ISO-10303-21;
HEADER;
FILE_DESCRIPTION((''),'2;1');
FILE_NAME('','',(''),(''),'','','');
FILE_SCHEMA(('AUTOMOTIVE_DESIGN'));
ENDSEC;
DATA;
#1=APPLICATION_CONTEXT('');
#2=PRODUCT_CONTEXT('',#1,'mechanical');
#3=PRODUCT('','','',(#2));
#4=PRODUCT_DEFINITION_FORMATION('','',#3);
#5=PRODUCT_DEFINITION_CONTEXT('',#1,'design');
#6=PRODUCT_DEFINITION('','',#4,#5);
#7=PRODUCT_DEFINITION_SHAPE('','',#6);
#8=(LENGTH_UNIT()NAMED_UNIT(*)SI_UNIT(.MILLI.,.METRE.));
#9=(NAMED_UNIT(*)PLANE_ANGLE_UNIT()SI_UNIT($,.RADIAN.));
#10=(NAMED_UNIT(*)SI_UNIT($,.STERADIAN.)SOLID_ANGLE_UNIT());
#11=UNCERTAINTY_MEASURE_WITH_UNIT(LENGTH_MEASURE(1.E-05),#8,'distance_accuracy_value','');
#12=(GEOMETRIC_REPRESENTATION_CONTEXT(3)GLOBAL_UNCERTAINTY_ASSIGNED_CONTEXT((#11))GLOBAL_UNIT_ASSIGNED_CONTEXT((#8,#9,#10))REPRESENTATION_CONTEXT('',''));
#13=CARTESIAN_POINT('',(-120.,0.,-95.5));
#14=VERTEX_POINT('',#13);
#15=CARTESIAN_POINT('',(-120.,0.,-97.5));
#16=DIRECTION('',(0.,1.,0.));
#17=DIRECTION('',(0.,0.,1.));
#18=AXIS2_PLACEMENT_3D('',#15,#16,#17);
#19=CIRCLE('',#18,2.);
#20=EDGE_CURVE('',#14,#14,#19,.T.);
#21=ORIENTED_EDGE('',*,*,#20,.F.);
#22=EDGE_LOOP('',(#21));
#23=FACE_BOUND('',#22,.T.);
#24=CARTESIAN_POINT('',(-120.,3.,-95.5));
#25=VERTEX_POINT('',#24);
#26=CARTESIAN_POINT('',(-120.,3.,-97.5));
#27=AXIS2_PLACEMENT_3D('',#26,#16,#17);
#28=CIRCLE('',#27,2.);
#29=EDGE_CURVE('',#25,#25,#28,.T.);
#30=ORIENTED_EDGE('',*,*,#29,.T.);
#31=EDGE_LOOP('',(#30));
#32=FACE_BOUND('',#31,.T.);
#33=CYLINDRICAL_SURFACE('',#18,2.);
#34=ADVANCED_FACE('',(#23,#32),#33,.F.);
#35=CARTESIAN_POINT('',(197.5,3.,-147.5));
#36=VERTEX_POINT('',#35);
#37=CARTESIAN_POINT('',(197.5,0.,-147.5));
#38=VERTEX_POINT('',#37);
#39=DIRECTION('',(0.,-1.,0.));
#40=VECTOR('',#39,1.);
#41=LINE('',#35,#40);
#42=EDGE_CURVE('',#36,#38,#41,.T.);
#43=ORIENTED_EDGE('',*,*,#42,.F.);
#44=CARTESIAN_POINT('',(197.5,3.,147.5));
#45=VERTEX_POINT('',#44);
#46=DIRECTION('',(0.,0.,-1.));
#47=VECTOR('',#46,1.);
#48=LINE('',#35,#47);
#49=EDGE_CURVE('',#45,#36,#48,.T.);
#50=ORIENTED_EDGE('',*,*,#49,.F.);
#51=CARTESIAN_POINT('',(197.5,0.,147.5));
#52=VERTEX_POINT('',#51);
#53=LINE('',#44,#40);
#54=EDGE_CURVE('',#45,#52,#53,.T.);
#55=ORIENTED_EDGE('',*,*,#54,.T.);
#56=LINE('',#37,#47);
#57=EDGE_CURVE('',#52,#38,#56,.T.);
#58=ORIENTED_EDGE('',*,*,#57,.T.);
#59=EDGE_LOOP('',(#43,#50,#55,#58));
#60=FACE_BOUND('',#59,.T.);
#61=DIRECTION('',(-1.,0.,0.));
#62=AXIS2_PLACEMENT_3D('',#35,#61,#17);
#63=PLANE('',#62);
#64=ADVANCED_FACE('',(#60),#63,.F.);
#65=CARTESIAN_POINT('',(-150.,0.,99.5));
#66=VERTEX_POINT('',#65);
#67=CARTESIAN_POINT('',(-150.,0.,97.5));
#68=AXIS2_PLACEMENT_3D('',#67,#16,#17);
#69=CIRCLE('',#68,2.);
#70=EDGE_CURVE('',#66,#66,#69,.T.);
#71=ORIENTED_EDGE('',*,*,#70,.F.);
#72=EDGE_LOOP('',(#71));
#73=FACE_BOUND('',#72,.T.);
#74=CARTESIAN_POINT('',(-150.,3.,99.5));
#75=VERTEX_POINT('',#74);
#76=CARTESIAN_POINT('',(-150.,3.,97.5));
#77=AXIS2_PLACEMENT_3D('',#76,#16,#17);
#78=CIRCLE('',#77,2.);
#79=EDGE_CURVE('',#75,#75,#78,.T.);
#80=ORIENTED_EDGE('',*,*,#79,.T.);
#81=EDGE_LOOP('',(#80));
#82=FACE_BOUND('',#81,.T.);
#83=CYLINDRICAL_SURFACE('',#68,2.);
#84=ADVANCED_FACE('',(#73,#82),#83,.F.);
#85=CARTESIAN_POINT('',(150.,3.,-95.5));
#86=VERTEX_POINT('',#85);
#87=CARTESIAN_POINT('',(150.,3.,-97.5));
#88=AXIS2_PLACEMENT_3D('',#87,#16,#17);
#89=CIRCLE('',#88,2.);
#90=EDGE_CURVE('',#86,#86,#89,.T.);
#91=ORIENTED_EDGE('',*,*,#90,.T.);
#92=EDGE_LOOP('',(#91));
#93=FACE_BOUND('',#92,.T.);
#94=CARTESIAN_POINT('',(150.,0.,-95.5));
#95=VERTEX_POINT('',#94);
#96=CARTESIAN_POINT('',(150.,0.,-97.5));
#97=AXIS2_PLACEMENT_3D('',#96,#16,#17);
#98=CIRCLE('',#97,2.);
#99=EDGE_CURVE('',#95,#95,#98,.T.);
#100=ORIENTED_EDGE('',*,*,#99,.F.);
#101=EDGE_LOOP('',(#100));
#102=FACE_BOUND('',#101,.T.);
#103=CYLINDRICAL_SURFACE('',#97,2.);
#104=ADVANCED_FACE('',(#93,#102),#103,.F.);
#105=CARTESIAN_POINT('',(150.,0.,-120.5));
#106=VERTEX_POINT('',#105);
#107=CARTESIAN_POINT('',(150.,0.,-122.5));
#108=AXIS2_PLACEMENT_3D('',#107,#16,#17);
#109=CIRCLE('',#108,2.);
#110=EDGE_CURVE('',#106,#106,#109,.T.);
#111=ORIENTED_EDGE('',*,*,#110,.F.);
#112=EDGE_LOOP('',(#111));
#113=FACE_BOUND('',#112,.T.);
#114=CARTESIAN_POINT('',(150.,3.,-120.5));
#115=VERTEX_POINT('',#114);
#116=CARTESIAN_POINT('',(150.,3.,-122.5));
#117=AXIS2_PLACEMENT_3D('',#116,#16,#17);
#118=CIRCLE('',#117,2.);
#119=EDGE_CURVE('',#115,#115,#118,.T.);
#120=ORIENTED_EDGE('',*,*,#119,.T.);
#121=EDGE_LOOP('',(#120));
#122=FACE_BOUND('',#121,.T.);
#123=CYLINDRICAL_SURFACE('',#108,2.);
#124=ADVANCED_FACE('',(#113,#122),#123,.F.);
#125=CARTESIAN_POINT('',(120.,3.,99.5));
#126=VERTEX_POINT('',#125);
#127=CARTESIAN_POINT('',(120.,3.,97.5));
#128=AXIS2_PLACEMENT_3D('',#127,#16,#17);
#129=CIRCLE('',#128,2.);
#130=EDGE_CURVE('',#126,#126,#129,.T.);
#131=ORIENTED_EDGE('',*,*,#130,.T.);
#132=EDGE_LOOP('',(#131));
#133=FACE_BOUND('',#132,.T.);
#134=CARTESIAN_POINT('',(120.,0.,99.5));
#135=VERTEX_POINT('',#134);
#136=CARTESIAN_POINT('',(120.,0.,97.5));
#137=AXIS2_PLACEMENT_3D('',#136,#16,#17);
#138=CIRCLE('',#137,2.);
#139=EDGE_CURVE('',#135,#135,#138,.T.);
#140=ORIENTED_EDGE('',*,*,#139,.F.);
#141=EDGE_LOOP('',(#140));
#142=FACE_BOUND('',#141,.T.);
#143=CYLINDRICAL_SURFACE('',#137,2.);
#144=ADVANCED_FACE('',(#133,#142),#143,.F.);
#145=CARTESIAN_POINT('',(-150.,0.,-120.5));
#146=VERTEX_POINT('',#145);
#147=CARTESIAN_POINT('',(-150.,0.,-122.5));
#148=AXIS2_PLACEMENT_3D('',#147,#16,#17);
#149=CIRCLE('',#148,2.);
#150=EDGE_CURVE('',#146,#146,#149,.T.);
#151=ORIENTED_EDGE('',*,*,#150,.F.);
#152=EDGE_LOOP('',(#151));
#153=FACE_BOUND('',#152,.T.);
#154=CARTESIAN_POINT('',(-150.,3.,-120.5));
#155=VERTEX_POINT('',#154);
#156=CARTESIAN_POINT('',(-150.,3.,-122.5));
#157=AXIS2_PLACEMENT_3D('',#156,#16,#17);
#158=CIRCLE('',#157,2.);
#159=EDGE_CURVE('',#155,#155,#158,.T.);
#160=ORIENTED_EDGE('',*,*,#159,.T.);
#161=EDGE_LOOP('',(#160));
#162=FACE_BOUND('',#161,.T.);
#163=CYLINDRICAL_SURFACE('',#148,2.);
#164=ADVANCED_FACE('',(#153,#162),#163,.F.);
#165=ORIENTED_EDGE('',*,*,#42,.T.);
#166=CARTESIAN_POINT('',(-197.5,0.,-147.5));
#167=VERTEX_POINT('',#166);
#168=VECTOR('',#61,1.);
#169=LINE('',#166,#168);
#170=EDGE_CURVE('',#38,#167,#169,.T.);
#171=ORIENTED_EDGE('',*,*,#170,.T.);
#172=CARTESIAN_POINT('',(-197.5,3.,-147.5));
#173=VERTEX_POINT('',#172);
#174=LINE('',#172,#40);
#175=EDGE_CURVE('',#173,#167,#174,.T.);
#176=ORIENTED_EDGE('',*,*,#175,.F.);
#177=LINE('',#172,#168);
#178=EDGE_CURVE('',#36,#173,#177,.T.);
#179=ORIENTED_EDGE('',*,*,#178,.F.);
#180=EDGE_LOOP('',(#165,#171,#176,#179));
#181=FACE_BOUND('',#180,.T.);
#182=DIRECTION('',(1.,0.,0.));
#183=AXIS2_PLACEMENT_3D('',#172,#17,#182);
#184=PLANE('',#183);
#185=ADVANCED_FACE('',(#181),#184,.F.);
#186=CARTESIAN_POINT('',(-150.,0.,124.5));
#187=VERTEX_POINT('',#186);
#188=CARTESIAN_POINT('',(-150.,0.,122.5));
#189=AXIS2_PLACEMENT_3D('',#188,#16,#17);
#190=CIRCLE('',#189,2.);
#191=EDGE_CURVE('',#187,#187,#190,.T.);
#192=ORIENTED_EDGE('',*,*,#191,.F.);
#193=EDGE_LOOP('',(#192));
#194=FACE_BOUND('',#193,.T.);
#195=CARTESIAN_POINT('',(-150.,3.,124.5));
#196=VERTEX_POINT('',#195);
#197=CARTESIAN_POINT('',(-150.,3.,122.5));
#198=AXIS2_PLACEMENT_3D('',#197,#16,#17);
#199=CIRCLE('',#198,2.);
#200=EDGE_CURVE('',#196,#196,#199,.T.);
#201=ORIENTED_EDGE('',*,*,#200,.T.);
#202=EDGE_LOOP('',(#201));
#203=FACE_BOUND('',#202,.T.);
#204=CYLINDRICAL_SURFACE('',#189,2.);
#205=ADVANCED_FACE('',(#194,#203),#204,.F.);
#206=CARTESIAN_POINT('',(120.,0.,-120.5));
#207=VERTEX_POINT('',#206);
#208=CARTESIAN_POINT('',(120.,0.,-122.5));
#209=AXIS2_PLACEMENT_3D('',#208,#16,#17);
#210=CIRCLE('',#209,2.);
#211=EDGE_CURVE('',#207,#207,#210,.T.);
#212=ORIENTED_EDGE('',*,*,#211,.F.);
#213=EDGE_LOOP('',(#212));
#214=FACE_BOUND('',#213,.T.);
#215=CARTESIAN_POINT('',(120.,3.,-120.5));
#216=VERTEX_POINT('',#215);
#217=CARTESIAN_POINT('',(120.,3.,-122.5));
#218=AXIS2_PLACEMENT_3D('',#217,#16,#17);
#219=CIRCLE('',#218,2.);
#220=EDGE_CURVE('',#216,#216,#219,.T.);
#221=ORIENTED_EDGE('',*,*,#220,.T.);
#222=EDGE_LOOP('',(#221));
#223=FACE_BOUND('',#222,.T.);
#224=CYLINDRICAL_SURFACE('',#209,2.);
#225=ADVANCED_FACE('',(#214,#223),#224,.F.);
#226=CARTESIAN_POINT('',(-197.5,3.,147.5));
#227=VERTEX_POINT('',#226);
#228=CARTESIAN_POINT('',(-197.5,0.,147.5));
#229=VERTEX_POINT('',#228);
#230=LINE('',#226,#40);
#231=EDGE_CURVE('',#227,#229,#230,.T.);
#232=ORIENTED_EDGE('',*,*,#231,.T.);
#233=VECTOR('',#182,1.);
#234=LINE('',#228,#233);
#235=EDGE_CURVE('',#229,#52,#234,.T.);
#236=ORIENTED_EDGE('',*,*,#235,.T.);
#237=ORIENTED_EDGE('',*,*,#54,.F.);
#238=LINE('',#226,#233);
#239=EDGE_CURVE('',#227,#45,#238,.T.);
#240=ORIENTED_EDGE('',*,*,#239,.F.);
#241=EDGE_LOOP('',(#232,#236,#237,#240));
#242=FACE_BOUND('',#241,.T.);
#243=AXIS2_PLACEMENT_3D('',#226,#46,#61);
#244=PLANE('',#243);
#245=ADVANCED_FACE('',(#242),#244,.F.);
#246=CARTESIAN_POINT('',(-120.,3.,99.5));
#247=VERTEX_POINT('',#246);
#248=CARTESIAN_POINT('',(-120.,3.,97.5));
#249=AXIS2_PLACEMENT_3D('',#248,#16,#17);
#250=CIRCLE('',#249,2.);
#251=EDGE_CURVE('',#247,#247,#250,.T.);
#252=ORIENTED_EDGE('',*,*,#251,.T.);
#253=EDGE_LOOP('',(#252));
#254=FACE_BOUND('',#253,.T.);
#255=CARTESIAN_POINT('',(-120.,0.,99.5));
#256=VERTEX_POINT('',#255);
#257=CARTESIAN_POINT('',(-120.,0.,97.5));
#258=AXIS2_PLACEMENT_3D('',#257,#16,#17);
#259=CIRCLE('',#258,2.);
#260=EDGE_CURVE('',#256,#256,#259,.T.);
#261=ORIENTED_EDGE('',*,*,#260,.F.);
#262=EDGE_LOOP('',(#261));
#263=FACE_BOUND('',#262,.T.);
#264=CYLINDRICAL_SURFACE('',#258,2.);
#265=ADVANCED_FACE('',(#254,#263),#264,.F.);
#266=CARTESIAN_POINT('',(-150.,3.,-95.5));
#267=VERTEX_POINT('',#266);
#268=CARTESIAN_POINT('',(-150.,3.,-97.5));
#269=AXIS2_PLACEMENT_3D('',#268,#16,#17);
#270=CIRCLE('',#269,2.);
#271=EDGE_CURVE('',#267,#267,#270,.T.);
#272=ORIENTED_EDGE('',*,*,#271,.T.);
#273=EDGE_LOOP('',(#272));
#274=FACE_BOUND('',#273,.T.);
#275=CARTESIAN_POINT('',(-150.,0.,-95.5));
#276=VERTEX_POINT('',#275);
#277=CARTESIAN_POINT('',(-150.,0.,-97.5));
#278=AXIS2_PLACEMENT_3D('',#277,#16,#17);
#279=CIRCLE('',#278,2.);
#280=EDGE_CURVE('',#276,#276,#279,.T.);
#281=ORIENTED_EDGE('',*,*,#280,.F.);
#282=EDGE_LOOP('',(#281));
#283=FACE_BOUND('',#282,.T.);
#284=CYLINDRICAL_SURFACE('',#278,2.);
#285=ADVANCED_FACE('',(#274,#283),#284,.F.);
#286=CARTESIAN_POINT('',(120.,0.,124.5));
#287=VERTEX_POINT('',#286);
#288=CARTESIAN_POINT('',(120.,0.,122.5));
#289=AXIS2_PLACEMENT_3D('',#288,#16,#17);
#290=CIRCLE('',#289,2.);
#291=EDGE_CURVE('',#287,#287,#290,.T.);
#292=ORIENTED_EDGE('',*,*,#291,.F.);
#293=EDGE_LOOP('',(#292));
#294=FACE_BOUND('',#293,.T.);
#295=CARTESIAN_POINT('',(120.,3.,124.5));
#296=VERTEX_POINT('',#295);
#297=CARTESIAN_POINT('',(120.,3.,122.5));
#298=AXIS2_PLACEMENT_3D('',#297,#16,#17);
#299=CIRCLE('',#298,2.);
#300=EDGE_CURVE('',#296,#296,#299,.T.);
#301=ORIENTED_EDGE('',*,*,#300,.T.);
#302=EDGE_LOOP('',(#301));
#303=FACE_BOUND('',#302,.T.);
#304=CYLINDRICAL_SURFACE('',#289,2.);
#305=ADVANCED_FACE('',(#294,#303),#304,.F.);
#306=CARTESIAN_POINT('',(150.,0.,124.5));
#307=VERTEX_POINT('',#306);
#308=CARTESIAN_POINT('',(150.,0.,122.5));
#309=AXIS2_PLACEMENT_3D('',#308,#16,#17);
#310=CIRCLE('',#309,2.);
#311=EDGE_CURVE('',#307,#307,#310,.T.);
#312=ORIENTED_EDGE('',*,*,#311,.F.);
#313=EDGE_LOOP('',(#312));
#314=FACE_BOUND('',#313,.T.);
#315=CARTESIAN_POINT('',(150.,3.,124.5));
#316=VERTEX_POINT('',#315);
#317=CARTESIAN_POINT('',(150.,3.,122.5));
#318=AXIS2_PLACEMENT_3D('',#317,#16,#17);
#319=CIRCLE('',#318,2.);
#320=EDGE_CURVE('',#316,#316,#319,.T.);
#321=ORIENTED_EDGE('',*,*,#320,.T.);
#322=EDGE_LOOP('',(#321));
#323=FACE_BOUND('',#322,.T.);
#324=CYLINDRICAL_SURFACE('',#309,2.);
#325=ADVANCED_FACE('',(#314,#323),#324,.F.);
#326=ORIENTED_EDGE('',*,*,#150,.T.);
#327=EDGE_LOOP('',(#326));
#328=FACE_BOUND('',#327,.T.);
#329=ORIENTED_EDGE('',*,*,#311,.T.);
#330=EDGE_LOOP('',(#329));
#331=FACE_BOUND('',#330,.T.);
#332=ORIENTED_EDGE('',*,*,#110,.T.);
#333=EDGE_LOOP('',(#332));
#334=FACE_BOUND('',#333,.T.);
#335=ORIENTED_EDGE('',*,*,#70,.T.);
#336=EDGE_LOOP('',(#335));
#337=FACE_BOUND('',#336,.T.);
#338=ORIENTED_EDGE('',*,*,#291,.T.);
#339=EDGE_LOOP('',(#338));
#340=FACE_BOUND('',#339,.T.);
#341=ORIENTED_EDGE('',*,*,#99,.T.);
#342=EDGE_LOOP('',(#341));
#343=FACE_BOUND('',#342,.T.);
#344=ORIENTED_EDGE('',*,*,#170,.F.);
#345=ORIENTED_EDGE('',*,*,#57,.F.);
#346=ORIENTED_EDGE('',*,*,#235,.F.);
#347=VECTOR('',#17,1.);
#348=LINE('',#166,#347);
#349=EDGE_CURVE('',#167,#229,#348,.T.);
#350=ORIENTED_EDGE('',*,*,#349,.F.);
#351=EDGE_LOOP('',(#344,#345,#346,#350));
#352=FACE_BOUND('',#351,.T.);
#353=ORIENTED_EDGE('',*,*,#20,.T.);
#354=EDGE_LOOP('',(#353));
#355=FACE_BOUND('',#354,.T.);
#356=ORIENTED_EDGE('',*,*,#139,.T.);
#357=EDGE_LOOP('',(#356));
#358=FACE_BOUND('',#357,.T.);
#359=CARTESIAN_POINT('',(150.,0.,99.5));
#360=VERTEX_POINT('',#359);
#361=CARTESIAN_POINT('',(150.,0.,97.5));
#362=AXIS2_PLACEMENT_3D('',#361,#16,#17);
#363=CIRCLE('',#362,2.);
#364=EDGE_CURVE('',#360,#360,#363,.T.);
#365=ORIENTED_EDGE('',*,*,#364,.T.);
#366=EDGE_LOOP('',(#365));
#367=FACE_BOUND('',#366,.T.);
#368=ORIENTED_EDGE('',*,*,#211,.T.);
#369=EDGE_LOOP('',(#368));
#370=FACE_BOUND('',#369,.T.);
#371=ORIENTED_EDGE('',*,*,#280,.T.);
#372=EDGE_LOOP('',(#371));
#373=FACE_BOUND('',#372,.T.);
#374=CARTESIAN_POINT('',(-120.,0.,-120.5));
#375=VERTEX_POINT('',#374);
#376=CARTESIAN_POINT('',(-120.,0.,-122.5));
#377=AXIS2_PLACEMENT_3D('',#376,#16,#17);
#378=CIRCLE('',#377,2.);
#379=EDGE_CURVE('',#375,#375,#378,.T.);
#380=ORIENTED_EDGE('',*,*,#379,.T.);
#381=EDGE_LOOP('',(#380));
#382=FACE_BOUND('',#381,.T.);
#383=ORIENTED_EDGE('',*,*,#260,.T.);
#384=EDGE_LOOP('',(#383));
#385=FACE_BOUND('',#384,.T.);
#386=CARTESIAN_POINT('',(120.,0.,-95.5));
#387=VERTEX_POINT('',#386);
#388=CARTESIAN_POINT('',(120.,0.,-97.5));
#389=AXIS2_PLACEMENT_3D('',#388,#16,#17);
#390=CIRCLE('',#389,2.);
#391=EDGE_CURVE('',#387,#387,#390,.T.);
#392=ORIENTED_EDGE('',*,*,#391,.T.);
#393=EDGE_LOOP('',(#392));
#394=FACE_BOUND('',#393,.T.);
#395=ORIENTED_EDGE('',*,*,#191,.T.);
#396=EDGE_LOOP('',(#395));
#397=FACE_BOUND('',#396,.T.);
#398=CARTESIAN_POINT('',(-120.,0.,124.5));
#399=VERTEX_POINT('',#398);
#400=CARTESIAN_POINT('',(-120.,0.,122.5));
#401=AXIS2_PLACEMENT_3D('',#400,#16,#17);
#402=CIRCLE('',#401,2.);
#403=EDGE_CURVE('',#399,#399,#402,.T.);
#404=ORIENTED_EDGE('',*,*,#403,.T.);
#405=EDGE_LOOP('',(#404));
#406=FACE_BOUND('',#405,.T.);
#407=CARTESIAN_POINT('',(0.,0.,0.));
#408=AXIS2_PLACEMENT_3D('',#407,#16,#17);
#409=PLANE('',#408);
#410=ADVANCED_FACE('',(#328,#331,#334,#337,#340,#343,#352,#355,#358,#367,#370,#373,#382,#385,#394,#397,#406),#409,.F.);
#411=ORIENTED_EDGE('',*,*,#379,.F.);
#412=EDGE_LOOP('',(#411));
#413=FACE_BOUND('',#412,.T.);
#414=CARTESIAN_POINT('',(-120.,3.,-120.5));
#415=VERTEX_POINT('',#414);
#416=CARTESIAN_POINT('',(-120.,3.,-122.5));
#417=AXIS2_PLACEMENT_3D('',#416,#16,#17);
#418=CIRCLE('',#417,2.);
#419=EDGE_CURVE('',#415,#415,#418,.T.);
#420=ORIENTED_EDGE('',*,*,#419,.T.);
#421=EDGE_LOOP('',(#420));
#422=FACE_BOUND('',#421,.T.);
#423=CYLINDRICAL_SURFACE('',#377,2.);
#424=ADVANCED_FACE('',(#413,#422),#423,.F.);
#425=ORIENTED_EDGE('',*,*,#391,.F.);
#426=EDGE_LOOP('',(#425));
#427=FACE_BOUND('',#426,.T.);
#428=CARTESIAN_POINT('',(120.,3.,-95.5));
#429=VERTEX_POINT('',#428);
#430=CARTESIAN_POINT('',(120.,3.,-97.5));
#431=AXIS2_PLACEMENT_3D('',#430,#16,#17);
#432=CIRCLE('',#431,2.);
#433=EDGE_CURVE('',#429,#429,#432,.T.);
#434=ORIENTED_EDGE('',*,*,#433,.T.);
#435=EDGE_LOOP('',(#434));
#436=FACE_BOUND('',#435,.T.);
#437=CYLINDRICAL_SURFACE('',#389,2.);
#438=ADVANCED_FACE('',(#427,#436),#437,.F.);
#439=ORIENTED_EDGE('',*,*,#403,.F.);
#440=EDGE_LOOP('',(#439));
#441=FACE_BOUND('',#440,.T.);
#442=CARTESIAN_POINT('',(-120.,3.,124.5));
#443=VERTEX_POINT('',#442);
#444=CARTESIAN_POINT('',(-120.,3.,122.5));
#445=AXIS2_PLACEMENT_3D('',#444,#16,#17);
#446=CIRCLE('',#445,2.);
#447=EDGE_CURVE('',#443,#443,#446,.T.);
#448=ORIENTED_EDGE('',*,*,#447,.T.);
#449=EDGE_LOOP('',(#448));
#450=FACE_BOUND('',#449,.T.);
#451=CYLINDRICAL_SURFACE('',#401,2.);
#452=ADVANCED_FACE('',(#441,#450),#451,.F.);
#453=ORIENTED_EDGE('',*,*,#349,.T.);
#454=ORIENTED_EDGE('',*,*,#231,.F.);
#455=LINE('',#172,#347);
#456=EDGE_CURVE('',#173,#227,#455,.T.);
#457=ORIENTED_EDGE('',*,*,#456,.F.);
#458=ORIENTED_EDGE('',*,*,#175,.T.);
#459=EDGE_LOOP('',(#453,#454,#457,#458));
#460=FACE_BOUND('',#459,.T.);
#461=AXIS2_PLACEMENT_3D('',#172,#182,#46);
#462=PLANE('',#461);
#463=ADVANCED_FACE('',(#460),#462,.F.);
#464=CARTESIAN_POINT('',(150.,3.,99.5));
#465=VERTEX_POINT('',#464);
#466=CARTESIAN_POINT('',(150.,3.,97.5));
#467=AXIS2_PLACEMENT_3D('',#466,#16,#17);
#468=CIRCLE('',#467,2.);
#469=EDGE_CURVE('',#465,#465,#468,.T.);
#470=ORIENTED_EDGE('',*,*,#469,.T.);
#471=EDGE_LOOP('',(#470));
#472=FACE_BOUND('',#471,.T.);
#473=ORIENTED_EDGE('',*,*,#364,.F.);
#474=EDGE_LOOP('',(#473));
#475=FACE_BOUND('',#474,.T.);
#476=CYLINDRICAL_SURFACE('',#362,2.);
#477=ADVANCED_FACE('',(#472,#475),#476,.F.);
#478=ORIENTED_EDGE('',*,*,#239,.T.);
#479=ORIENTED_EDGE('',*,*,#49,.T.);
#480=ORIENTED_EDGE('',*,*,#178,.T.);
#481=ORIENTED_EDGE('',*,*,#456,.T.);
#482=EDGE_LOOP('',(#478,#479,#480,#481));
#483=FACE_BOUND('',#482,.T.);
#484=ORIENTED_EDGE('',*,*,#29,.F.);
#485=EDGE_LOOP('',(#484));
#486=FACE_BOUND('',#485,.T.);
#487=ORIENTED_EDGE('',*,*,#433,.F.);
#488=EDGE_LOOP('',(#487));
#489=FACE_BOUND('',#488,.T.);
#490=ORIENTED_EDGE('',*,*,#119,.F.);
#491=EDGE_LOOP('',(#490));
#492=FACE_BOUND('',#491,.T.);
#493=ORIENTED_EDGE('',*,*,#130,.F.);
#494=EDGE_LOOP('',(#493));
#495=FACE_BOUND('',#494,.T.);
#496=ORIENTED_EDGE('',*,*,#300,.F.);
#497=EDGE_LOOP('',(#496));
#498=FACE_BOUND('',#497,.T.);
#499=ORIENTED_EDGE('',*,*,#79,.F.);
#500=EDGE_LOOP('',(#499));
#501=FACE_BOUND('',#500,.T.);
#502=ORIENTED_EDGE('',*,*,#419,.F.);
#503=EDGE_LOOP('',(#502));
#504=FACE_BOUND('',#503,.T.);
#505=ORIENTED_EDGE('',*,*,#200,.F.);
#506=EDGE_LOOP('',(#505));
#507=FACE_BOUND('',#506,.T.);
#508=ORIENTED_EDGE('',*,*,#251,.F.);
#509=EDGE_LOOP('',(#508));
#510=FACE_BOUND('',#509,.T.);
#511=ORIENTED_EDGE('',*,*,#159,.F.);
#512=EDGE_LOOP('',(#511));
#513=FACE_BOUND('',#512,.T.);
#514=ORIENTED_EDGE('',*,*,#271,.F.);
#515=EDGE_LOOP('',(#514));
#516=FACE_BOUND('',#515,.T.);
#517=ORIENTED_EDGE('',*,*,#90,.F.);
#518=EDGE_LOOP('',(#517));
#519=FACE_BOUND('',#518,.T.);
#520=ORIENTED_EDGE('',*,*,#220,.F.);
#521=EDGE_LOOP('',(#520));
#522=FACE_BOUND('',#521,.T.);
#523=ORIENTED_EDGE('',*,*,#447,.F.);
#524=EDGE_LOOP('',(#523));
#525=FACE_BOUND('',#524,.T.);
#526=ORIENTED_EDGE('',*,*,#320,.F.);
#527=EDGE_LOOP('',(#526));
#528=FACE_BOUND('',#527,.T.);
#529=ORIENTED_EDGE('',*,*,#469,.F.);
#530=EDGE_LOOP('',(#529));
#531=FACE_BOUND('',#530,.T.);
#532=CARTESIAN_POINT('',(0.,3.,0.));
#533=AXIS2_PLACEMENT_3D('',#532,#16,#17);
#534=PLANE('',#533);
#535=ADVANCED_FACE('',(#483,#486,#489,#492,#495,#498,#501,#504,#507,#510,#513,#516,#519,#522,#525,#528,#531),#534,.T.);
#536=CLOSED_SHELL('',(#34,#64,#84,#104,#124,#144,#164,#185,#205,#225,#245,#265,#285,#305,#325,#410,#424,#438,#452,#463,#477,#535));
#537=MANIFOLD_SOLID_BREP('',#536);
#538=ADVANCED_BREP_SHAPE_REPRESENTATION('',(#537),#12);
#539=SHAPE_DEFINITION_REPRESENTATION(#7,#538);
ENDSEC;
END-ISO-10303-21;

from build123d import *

# Parameters (mm, degrees)
SKETCH1_W           = 395
SKETCH1_H           = 295
BOSS_EXTRUDE1_DEPTH = 3
SKETCH2_R           = 2
CUT_EXTRUDE1_DEPTH  = 4


with BuildPart() as part:
    # Sketch1 → Boss-Extrude1 (new body)
    with BuildSketch(Plane(origin=(0, 0, 0), x_dir=(1, 0, 0), z_dir=(0, 1, 0))):
        Rectangle(SKETCH1_W, SKETCH1_H)
    extrude(amount=BOSS_EXTRUDE1_DEPTH)

    # Sketch2 → Cut-Extrude1 (cut, through all)
    with BuildSketch(Plane(origin=(0, 3, 0), x_dir=(1, 0, 0), z_dir=(0, 1, 0))):
        with Locations((150, -122.5)):
            Circle(SKETCH2_R)
        with Locations((120, -122.5)):
            Circle(SKETCH2_R)
        with Locations((150, -97.5)):
            Circle(SKETCH2_R)
        with Locations((120, -97.5)):
            Circle(SKETCH2_R)
        with Locations((150, 97.5)):
            Circle(SKETCH2_R)
        with Locations((120, 97.5)):
            Circle(SKETCH2_R)
        with Locations((150, 122.5)):
            Circle(SKETCH2_R)
        with Locations((120, 122.5)):
            Circle(SKETCH2_R)
        with Locations((-120, -122.5)):
            Circle(SKETCH2_R)
        with Locations((-150, -122.5)):
            Circle(SKETCH2_R)
        with Locations((-120, -97.5)):
            Circle(SKETCH2_R)
        with Locations((-150, -97.5)):
            Circle(SKETCH2_R)
        with Locations((-120, 97.5)):
            Circle(SKETCH2_R)
        with Locations((-150, 97.5)):
            Circle(SKETCH2_R)
        with Locations((-120, 122.5)):
            Circle(SKETCH2_R)
        with Locations((-150, 122.5)):
            Circle(SKETCH2_R)
    extrude(amount=-CUT_EXTRUDE1_DEPTH, mode=Mode.SUBTRACT)


solid = part.part
